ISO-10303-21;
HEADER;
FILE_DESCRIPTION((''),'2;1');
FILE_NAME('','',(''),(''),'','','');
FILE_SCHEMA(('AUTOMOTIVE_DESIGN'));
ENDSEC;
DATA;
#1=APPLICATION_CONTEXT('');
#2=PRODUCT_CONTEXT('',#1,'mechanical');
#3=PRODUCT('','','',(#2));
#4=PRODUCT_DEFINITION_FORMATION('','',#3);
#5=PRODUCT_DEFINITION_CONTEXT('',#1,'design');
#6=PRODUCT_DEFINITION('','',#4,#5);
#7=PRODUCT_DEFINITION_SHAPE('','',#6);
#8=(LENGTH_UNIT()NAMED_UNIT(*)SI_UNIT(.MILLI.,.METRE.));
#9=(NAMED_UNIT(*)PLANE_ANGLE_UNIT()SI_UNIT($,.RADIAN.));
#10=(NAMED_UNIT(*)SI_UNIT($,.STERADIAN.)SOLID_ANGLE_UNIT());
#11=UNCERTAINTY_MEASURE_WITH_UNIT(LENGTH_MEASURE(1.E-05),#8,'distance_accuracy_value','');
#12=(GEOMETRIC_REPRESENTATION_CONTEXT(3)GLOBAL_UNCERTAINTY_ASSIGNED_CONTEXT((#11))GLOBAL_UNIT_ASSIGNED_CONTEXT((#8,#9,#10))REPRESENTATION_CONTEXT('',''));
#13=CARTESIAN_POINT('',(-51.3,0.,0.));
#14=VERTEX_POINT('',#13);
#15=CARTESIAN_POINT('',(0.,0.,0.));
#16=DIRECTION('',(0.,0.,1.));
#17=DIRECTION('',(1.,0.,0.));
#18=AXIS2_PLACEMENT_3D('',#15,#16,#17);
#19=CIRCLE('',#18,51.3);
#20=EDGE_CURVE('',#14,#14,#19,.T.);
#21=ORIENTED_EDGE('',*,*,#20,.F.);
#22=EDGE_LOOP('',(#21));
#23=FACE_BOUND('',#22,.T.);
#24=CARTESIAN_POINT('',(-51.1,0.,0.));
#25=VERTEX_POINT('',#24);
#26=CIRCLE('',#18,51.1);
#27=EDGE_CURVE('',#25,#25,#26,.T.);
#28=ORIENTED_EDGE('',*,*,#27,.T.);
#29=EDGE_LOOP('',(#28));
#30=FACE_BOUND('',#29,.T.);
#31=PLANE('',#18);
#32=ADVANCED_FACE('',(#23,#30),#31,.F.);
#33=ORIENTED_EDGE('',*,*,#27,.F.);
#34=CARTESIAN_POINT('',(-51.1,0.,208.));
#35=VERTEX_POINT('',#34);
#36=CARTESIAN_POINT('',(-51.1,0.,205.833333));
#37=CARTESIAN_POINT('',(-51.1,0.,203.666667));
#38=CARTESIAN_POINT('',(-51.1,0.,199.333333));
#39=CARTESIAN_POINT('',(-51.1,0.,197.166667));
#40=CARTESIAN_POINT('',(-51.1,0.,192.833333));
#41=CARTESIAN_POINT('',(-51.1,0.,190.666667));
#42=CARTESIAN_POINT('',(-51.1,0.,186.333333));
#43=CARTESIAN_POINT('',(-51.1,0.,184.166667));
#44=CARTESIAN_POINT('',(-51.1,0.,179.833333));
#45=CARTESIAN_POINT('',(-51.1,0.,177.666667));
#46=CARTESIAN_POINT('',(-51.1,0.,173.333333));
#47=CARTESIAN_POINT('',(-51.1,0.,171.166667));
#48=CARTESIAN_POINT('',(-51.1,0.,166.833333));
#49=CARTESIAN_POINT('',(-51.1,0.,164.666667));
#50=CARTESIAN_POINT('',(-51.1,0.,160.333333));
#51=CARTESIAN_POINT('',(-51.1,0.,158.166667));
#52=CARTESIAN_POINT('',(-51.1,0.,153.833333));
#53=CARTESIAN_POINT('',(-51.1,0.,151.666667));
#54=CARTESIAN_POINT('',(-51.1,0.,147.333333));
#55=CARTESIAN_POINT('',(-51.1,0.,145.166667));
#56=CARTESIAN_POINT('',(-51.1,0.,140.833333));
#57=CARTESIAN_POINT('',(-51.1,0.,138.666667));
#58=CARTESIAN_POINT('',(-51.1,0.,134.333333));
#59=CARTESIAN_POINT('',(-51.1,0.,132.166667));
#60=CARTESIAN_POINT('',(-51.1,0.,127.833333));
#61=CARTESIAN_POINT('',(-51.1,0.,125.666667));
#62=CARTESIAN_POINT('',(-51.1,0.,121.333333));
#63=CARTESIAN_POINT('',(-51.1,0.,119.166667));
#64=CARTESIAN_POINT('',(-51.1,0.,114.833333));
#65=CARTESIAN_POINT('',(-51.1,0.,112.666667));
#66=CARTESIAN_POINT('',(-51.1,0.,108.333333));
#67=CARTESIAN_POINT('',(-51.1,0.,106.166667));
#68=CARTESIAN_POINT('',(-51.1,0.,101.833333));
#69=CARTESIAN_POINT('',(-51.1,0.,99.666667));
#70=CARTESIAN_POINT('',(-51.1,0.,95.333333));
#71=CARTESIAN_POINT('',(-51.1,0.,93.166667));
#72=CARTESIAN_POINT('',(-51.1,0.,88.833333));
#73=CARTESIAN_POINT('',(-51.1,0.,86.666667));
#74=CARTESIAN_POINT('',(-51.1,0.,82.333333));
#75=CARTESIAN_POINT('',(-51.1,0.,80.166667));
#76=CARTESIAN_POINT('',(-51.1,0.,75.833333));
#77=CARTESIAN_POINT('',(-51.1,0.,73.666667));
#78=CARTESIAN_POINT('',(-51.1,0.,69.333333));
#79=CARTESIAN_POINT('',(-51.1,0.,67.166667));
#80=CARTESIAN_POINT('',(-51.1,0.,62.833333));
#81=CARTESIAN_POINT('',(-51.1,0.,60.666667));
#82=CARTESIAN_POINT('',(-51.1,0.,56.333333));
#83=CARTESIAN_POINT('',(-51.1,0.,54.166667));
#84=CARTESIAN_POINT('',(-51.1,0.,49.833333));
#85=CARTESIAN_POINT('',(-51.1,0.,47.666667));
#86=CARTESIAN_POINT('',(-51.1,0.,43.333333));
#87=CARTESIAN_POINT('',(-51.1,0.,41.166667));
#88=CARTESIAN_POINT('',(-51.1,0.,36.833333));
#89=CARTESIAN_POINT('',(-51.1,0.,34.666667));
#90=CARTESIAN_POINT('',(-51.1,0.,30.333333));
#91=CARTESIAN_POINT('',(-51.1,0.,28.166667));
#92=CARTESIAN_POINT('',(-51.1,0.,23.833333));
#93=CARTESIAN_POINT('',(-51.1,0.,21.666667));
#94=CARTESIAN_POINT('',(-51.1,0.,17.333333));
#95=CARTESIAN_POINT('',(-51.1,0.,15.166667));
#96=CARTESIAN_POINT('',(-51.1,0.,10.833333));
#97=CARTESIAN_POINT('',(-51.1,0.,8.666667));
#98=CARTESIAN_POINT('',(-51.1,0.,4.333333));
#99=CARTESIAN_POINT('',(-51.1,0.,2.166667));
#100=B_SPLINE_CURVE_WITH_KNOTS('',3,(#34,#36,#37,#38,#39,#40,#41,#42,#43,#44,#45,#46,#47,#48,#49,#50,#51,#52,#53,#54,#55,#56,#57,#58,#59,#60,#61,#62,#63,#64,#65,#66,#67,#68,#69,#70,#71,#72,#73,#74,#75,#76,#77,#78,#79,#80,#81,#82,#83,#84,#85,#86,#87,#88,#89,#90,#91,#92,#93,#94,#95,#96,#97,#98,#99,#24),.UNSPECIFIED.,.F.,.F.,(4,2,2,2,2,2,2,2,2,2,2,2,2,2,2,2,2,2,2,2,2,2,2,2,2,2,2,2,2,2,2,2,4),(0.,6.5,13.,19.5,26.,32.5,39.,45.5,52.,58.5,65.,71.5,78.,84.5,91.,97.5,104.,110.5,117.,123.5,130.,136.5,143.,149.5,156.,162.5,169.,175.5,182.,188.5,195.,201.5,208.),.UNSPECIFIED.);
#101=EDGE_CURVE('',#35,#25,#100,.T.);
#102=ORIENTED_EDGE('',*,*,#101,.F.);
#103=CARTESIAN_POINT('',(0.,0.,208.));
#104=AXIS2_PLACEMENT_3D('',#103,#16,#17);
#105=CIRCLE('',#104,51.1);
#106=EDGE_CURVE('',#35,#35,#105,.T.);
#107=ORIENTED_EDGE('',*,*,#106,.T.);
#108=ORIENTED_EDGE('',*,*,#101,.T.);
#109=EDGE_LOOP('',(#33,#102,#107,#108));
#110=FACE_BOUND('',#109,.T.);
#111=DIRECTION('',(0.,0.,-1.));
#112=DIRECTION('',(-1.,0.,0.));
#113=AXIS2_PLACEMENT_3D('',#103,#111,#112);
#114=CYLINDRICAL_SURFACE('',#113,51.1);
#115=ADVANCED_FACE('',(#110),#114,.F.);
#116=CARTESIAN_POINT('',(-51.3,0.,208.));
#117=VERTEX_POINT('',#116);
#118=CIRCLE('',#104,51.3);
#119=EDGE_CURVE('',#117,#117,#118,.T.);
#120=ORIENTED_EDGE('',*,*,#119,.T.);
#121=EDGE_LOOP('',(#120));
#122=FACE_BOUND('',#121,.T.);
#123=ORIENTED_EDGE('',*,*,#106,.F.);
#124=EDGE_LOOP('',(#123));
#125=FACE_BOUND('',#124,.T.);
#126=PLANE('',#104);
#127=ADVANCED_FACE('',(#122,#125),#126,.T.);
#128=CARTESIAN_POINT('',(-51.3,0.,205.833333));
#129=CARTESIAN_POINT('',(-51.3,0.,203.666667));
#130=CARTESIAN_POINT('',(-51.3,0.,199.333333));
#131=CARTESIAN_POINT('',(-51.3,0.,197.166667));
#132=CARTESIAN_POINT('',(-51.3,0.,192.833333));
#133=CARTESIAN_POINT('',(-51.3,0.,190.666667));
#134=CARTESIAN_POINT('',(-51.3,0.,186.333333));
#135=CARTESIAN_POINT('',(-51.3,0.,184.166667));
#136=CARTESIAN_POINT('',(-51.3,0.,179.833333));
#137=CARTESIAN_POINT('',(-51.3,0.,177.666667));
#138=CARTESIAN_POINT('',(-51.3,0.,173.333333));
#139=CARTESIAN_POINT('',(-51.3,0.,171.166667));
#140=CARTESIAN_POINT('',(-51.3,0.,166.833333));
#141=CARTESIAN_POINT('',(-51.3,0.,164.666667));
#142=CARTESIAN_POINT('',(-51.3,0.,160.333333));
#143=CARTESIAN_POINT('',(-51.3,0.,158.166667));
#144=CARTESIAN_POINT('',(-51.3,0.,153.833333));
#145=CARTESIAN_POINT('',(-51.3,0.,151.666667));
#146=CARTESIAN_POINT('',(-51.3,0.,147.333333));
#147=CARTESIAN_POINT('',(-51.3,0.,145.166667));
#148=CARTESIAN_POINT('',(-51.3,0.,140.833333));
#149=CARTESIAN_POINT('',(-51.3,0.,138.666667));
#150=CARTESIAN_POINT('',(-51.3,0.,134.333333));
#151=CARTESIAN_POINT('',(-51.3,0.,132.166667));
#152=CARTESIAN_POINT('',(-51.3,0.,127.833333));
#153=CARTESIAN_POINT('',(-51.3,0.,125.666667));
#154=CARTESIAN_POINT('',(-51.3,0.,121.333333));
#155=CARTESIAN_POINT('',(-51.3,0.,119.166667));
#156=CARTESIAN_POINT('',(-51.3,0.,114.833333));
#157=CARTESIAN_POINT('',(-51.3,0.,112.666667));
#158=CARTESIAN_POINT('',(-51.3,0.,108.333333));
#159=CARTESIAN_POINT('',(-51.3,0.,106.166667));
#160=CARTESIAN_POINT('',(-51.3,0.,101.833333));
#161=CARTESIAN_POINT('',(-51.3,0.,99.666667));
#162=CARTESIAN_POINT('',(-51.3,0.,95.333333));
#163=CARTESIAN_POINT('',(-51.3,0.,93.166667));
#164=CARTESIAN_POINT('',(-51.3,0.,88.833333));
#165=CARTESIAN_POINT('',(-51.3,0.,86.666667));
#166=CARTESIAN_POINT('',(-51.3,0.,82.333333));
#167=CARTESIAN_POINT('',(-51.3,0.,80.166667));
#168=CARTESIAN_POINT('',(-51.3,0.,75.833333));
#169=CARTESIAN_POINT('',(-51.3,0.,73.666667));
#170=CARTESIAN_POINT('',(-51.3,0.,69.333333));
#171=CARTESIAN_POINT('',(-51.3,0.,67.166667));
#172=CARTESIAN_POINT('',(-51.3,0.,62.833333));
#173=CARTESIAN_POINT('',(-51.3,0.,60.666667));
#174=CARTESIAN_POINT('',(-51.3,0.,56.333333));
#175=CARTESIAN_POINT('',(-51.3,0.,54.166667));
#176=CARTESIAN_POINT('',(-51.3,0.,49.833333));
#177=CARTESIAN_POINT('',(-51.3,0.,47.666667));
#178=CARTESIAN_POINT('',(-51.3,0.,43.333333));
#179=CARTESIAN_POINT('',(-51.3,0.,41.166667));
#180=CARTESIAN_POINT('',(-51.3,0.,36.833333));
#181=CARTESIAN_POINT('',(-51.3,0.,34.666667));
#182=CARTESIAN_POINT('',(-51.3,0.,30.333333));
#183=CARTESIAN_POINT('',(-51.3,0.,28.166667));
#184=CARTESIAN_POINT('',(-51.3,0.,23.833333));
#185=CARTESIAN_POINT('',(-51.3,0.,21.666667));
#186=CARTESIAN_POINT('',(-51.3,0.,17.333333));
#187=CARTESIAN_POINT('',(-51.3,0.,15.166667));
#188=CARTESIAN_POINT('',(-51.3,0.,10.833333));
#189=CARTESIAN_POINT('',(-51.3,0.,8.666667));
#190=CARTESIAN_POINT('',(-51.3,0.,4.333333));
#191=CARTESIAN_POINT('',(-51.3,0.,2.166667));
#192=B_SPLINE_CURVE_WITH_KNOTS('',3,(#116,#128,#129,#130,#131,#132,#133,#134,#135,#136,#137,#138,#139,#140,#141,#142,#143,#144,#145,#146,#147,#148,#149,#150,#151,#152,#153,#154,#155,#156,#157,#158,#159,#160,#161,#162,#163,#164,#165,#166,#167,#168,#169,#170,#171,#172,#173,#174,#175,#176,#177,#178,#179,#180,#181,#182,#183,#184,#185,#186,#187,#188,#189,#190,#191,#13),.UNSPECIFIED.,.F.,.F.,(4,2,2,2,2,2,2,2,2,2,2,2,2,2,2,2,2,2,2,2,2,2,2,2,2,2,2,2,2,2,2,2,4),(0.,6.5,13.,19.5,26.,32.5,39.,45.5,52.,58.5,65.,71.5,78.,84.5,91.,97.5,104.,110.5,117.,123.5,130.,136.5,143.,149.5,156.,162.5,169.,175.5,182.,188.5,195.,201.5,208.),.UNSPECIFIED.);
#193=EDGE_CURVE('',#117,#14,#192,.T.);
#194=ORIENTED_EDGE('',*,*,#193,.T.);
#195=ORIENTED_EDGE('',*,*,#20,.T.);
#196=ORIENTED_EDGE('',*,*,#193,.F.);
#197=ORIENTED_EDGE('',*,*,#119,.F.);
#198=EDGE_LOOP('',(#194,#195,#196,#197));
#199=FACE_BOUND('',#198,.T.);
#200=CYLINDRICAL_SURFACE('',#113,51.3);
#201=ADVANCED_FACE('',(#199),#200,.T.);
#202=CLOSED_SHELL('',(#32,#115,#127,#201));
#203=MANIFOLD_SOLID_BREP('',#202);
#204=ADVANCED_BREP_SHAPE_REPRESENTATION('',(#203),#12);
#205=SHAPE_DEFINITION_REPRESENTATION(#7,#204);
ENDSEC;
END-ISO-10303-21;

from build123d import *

# Parameters (mm, degrees)
SKETCH1_R           = 51.3
SKETCH1_R_2         = 51.1
BOSS_EXTRUDE1_DEPTH = 208


with BuildPart() as part:
    # Sketch1 → Boss-Extrude1 (new body)
    with BuildSketch(Plane.XY):
        with Locations(Location((0, 0, 0), (0, 0, 180))):
            Circle(SKETCH1_R)
        with Locations(Location((0, 0, 0), (0, 0, 180))):
            Circle(SKETCH1_R_2, mode=Mode.SUBTRACT)
    extrude(amount=BOSS_EXTRUDE1_DEPTH)


solid = part.part
